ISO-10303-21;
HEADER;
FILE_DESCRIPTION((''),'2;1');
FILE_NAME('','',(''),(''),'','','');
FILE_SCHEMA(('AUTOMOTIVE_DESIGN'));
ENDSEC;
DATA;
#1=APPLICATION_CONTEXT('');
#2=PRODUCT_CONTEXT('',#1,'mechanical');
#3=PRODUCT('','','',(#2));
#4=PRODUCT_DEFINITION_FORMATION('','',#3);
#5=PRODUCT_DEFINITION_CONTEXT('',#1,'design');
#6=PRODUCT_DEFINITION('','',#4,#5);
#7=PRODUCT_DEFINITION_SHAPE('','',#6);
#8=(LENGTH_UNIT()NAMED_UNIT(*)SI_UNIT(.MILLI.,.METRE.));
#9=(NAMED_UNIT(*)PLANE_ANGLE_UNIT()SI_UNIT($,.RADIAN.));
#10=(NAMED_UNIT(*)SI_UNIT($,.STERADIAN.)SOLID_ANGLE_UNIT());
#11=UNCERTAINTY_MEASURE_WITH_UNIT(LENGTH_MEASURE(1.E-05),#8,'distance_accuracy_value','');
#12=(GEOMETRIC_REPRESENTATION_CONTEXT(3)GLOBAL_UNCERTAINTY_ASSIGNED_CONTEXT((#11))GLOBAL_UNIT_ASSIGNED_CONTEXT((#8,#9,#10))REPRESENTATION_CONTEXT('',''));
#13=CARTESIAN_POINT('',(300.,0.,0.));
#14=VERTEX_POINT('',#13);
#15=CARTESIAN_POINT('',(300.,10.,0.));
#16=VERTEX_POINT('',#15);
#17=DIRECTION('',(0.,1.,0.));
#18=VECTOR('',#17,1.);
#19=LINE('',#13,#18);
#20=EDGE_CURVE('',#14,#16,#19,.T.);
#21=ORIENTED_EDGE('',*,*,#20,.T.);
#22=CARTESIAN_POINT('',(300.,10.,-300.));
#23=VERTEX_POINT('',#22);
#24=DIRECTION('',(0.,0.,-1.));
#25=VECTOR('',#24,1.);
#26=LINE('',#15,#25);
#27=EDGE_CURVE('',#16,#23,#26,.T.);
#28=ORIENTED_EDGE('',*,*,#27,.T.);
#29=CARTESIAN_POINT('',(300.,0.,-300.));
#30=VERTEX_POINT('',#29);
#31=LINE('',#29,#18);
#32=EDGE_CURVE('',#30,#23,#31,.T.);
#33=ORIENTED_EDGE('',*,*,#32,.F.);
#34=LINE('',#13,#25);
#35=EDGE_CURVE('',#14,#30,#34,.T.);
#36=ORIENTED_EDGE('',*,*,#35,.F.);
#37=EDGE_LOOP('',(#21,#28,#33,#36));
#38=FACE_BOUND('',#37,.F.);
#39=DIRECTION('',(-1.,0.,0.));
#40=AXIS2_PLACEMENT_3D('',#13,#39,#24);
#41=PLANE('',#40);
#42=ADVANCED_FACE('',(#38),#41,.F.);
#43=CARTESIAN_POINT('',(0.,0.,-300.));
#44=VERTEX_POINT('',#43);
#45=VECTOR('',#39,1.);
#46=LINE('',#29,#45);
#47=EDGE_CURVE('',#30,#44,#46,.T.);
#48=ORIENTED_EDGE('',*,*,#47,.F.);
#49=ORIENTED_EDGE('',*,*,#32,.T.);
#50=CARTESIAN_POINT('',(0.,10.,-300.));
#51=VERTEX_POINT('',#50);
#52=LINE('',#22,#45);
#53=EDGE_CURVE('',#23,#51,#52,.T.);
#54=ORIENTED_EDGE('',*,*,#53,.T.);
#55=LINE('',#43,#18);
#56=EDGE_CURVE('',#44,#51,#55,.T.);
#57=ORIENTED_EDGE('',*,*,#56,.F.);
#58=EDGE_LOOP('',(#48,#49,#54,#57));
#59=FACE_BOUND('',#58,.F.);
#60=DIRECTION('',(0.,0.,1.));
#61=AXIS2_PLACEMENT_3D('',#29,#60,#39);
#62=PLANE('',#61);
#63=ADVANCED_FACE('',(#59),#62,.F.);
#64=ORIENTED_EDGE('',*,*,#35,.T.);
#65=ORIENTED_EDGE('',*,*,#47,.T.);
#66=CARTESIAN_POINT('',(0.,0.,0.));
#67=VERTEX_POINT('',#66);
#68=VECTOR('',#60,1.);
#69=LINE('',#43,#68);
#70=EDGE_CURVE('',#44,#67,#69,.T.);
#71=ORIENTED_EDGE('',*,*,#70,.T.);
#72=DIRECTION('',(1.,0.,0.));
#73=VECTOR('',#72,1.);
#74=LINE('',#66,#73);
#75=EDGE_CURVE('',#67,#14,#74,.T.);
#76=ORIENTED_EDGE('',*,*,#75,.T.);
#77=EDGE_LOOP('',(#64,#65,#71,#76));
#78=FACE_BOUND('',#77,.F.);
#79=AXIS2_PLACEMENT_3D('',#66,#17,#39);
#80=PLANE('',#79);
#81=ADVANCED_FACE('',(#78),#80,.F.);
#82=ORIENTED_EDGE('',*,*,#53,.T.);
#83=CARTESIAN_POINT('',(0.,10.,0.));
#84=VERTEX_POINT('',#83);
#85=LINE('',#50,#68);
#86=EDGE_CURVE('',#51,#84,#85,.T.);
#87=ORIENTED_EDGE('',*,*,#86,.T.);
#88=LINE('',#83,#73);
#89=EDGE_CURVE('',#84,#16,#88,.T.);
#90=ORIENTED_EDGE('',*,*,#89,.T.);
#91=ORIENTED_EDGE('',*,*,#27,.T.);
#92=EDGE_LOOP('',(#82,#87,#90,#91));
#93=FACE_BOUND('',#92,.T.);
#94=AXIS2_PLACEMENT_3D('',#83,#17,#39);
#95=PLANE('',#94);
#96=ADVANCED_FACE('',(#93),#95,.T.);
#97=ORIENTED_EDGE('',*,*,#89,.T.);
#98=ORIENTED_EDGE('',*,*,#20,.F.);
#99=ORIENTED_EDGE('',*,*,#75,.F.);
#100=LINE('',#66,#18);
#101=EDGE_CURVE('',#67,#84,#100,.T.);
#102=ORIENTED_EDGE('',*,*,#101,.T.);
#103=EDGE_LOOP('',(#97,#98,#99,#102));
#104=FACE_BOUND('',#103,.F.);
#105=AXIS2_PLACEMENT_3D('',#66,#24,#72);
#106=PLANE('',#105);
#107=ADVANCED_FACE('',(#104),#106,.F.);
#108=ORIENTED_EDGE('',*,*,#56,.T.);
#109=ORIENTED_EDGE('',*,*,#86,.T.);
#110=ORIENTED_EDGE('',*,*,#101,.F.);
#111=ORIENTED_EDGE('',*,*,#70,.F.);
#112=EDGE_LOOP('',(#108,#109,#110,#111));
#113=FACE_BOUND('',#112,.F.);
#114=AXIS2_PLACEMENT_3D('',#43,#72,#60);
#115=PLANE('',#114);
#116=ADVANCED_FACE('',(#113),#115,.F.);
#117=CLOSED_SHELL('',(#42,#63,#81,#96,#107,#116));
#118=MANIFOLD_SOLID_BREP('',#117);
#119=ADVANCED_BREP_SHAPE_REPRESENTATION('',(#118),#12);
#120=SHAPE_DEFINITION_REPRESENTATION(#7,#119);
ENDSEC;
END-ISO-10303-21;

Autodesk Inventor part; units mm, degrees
ref_plane "YZ Plane" through (0, 0, 0) normal (1, 0, 0) x (0, 1, 0)
ref_plane "XZ Plane" through (0, 0, 0) normal (0, 1, 0) x (-1, 0, 0)
ref_plane "XY Plane" through (0, 0, 0) normal (0, 0, 1) x (1, 0, 0)
sketch "스케치1" plane through (0, 0, 0) normal (0, 1, 0) x (-1, 0, 0)
  line L0 (0, 0) -> (-300, 0)
  line L1 (-300, 0) -> (-300, -300)
  line L2 (-300, -300) -> (0, -300)
  line L3 (0, -300) -> (0, 0)
  dimension "d0" = 300
  dimension "d1" = 300
extrude "돌출1" add sketch "스케치1" along normal blind 10
properties part number "바닥판"
